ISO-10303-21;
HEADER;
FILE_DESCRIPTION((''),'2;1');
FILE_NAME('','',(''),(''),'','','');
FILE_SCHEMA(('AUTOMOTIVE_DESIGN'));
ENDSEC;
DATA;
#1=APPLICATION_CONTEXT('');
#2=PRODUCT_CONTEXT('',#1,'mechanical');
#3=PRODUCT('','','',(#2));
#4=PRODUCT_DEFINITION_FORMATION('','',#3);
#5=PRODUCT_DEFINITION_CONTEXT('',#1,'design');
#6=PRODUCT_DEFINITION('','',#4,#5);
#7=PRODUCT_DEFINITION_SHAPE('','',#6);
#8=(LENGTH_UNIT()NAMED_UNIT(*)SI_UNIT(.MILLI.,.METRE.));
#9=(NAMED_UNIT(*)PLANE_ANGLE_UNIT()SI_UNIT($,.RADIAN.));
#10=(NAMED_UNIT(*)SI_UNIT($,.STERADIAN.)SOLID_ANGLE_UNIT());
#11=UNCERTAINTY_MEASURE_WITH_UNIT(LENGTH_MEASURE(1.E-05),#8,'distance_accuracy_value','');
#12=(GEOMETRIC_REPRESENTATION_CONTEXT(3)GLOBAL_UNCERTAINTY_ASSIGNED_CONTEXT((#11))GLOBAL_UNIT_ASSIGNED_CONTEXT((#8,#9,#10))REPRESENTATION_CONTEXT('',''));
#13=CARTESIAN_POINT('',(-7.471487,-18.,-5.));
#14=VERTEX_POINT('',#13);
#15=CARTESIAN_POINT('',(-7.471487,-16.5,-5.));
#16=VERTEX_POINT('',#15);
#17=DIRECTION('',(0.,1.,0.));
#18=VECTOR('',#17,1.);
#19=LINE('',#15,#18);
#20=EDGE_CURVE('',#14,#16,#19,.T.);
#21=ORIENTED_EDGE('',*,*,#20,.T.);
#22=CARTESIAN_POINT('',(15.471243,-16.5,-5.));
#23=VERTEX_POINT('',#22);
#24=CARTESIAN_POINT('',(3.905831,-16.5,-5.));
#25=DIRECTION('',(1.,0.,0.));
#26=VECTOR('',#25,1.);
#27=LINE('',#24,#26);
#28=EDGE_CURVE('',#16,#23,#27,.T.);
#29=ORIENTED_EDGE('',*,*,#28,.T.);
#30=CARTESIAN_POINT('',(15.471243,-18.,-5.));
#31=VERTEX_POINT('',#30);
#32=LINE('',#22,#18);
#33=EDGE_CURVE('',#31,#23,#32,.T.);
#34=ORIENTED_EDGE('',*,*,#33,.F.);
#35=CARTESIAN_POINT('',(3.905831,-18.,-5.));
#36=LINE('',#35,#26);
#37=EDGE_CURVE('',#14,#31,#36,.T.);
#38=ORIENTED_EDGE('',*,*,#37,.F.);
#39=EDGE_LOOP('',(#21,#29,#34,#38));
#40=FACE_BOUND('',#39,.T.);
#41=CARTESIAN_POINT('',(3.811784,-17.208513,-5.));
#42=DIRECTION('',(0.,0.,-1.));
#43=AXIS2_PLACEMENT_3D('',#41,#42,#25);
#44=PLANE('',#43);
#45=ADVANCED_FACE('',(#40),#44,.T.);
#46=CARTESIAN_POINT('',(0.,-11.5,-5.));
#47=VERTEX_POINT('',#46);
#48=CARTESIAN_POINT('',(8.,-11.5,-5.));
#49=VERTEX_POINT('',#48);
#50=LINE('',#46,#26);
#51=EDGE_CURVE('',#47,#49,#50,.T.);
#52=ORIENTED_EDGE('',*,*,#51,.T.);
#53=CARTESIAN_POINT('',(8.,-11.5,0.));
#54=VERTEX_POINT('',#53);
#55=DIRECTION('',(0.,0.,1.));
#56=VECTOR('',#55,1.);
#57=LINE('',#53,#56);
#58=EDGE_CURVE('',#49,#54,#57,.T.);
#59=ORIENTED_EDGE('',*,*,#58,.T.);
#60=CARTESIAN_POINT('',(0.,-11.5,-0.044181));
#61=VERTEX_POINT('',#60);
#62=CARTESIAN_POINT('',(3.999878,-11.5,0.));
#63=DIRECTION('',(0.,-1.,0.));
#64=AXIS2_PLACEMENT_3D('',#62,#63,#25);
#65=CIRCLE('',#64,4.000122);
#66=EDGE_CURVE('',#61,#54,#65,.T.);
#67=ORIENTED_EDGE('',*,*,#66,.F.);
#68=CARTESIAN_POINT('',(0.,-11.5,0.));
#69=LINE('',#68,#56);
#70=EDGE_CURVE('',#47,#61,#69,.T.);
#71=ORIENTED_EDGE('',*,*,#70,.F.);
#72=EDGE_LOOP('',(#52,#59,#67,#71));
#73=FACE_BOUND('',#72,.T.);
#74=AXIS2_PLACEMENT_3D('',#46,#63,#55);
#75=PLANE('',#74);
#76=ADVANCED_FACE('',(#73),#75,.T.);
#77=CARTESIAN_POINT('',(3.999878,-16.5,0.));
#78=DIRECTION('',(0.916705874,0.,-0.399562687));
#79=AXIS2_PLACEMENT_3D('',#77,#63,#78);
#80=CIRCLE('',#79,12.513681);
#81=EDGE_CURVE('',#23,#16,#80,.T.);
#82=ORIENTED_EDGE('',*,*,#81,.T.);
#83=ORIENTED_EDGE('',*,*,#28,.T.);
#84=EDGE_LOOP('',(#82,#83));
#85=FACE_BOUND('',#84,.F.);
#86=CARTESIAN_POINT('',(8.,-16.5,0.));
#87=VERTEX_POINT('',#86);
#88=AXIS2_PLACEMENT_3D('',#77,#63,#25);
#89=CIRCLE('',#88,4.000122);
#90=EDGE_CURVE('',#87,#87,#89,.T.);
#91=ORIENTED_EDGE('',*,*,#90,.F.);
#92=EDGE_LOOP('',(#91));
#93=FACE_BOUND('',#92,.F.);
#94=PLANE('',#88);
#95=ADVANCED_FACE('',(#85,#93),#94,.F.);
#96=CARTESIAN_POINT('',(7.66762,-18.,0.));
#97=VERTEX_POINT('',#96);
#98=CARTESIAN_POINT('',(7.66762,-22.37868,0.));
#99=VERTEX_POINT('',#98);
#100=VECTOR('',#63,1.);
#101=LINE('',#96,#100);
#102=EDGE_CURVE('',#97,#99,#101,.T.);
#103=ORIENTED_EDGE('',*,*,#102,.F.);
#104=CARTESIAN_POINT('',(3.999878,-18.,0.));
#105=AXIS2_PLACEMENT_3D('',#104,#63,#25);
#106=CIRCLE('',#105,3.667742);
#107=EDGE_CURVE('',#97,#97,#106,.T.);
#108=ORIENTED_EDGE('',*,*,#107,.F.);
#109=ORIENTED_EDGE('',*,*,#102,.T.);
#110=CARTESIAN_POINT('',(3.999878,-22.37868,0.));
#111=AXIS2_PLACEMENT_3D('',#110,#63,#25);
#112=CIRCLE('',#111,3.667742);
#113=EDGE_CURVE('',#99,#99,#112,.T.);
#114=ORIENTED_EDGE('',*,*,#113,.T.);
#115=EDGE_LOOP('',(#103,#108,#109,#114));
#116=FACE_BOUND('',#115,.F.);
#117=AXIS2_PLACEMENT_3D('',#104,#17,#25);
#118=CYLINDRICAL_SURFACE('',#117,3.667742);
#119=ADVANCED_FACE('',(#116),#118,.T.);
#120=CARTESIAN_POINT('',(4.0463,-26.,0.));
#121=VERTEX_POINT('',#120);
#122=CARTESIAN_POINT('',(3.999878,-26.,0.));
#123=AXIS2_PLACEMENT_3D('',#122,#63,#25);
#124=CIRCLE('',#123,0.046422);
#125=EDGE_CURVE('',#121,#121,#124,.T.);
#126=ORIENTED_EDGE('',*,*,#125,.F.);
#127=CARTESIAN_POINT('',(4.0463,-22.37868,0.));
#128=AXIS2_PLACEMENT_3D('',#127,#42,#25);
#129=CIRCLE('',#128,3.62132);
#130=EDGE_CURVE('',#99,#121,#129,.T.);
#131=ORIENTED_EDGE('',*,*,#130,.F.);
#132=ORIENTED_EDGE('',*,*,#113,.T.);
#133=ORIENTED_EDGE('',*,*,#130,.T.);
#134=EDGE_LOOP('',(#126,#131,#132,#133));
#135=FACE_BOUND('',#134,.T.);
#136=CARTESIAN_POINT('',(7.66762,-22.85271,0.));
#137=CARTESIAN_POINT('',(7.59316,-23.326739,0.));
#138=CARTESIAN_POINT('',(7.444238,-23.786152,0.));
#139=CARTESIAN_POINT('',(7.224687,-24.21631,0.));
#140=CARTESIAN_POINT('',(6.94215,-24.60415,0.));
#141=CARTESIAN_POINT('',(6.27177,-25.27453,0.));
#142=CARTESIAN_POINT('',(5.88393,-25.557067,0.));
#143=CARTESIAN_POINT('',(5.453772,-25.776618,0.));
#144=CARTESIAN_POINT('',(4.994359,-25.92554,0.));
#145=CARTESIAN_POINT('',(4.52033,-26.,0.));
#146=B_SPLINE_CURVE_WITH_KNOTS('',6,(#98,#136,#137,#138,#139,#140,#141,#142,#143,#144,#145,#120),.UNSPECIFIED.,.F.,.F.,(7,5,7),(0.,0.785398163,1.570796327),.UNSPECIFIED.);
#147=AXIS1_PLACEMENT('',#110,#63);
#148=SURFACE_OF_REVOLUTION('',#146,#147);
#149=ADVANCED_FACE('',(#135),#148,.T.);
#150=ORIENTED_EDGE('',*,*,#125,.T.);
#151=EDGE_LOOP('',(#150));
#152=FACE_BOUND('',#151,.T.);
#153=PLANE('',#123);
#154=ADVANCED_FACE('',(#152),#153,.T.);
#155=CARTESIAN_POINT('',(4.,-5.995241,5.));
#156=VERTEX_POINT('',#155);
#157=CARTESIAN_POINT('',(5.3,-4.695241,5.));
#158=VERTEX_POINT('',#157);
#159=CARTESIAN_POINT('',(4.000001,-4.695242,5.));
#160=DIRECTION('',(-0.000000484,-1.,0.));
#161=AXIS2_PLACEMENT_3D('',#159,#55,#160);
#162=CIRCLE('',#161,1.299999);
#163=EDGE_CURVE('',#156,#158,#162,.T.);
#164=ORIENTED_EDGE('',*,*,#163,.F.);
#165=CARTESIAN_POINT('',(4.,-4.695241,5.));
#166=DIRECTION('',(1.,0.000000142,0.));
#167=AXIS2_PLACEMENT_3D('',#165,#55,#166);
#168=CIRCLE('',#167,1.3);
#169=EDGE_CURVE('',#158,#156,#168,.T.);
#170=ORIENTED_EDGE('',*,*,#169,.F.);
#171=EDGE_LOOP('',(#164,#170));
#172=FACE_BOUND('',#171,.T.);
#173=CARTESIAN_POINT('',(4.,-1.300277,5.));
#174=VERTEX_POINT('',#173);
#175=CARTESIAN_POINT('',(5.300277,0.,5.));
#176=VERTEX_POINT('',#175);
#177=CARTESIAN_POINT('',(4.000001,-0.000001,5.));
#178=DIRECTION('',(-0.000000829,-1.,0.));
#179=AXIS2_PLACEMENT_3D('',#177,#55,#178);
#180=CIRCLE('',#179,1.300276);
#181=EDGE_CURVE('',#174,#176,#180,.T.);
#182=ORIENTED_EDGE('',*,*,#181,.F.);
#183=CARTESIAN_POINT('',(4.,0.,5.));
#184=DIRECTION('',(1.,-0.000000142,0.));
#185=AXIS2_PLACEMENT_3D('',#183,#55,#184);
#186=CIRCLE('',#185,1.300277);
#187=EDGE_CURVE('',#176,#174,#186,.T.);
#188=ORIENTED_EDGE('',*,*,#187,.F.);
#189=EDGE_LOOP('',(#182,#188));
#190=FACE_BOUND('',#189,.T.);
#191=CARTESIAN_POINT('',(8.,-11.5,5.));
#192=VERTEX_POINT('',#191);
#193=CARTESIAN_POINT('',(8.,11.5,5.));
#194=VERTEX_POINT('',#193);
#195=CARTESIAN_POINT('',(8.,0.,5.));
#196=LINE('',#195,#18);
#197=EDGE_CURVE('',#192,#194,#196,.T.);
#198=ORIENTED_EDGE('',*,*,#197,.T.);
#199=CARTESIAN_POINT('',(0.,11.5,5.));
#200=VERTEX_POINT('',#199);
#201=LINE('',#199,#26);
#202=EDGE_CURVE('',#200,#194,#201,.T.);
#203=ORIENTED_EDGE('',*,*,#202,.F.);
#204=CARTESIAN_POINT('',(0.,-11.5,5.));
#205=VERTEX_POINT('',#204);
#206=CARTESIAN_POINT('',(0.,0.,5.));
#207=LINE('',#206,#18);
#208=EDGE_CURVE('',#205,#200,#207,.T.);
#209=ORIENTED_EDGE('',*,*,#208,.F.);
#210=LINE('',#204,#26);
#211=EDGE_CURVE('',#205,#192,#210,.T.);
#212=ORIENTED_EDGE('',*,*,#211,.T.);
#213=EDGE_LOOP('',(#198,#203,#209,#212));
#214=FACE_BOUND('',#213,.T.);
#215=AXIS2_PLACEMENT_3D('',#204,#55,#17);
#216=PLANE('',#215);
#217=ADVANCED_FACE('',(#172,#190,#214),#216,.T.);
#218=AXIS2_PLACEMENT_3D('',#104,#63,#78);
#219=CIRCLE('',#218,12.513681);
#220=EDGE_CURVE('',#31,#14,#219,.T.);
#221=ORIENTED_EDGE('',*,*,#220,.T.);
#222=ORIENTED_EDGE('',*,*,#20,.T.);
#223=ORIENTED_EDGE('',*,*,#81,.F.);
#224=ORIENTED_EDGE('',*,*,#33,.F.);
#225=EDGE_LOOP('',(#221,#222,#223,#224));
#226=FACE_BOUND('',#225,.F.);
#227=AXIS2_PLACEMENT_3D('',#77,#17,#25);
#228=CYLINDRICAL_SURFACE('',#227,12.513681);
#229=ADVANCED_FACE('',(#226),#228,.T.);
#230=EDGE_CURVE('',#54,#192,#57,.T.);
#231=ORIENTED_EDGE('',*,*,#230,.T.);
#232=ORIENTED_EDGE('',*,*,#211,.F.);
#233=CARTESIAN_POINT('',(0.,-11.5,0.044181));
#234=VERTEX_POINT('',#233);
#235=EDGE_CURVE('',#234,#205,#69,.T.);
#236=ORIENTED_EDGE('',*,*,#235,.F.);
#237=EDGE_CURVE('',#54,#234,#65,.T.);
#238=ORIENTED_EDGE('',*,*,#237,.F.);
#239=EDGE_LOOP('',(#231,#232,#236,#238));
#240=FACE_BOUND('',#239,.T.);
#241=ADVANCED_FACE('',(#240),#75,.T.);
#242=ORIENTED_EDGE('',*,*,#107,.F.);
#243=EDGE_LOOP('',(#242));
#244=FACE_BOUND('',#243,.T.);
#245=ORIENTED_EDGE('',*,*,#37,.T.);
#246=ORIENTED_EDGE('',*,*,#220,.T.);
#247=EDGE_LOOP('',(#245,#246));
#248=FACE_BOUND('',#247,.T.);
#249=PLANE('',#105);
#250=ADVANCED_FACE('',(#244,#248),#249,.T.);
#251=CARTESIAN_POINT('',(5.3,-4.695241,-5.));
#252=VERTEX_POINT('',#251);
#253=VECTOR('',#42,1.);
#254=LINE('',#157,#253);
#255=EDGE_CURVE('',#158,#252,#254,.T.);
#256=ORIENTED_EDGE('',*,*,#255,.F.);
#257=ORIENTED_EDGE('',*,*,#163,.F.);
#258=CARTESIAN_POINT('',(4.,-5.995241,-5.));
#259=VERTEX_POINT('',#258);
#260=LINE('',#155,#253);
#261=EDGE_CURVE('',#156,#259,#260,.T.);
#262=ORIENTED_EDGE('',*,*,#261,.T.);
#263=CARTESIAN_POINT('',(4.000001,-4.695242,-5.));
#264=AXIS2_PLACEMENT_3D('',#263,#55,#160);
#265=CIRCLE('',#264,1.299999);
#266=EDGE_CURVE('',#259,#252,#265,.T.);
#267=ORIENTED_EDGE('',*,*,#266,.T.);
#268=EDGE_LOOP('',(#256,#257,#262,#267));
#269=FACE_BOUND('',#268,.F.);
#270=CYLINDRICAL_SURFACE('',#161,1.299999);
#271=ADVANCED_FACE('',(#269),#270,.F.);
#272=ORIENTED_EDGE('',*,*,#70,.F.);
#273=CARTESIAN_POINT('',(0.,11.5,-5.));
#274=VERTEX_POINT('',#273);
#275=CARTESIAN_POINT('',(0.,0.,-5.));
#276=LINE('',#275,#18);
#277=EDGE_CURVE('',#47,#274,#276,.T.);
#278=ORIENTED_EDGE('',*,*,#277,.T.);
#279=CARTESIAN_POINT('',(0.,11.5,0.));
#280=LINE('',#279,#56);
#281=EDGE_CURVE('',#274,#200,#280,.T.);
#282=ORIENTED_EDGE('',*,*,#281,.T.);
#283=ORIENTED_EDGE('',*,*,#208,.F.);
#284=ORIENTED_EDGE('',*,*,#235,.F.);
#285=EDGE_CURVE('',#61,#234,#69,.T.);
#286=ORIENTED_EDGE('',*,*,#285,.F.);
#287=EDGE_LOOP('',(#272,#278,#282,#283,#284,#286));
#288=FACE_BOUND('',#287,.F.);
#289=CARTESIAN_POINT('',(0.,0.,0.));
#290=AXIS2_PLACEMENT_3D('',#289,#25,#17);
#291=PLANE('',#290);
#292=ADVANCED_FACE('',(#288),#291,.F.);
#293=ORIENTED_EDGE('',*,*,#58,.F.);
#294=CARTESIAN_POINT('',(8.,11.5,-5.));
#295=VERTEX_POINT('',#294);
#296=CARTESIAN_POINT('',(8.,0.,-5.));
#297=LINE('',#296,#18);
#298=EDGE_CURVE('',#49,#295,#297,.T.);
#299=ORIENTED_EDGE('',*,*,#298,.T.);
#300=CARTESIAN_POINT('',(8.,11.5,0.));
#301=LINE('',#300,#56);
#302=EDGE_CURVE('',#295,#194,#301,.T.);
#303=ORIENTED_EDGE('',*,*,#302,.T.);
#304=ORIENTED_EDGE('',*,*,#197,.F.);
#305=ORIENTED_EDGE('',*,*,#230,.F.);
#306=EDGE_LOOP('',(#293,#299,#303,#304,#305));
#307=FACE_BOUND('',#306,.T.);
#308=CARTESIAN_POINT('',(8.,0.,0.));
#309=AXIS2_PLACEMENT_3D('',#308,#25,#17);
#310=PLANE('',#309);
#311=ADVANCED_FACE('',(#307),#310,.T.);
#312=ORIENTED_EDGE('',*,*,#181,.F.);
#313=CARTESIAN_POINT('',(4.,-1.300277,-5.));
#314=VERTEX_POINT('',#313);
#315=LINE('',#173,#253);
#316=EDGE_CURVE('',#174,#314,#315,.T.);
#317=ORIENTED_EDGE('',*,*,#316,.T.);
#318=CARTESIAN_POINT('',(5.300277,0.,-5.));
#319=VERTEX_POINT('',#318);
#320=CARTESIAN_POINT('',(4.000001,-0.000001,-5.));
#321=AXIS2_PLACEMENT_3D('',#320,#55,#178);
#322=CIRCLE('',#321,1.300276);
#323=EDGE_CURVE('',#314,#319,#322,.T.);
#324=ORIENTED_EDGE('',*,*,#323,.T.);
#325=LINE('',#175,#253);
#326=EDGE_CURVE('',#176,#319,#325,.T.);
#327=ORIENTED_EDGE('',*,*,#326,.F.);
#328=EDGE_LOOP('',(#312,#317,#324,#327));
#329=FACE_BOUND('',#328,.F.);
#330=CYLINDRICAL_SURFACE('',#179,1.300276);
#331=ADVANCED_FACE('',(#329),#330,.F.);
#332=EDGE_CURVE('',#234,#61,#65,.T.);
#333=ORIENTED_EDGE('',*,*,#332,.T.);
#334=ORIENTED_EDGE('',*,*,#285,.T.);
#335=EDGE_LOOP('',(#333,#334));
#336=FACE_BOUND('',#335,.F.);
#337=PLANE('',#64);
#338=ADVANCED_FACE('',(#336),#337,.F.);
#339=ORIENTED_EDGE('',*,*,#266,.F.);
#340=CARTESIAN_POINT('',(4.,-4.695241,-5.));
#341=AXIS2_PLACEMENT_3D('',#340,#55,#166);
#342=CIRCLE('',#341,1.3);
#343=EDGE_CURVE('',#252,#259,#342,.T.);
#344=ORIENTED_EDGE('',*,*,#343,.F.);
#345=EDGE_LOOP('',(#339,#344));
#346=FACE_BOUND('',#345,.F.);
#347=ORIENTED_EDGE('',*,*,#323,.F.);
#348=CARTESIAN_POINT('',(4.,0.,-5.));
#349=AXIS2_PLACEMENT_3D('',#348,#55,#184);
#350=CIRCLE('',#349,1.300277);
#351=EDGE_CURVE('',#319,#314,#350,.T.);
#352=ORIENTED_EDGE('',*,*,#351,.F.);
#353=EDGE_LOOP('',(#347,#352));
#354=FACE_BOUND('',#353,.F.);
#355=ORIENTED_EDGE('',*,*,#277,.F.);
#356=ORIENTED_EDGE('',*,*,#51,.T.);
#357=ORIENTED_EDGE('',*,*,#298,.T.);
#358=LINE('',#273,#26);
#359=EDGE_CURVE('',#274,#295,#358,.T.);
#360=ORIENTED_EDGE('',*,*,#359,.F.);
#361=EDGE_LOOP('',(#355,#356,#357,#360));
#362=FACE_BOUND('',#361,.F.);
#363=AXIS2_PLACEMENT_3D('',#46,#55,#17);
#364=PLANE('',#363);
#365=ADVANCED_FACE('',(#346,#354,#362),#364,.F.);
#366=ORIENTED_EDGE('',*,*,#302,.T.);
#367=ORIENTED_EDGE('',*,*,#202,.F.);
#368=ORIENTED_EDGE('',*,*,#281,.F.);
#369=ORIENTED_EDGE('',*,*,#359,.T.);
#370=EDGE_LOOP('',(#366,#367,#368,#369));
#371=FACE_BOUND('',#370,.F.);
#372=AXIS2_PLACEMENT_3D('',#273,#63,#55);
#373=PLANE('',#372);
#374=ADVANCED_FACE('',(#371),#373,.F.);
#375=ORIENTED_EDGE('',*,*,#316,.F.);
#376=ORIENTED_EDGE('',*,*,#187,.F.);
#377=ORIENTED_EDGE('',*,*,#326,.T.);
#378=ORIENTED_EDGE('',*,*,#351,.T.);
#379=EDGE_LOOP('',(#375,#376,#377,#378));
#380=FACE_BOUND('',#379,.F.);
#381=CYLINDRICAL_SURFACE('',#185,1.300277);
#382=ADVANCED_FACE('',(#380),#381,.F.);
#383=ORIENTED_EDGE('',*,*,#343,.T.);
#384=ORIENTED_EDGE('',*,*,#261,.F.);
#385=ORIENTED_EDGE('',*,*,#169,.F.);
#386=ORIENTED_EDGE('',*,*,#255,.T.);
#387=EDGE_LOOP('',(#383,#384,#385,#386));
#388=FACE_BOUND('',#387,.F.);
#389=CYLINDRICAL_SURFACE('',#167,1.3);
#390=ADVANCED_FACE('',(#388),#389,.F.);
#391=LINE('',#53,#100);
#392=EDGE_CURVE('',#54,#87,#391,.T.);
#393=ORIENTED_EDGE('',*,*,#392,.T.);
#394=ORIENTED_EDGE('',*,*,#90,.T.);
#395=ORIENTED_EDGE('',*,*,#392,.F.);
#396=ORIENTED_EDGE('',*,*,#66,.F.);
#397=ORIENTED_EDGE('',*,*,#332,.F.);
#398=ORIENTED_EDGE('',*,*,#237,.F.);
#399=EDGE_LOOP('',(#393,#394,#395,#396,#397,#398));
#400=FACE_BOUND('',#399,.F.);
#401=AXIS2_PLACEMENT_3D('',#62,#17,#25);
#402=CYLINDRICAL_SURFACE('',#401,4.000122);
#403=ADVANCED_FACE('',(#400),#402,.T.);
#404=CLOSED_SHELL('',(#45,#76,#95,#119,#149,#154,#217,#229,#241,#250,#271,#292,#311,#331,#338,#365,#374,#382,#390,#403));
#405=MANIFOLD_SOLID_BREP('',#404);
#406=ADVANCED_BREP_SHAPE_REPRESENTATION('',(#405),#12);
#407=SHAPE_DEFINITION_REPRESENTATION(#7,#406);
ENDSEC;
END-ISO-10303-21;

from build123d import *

# Parameters (mm, degrees)
F0_W      = 23
F0_H      = 10
F1_DEPTH  = 8
F2_R      = 4.000122
F3_DEPTH  = 5
F4_R      = 12.513681
F5_DEPTH  = 1.5
F6_R      = 3.667742
F7_DEPTH  = 8
F8_R      = 3.62132
F10_DEPTH = 25
F13_DEPTH = 25
F14_W     = 28.555372
F14_H     = 6.345639
F15_DEPTH = 9.5


with BuildPart() as f1:
    # F0 (on Right) → F1 (new body)
    with BuildSketch(Plane.YZ):
        Rectangle(F0_W, F0_H)
    extrude(amount=F1_DEPTH)

    # F2 (on face) → F3 (join)
    with BuildSketch(Plane.XZ.offset(11.5)):
        with Locations((3.999878, 0)):
            Circle(F2_R)
    extrude(amount=F3_DEPTH)

    # F4 (on face) → F5 (join)
    with BuildSketch(Plane.XZ.offset(16.5)):
        with Locations((3.999878, 0)):
            Circle(F4_R)
    extrude(amount=F5_DEPTH)

    # F6 (on face) → F7 (join)
    with BuildSketch(Plane.XZ.offset(18)):
        with Locations((3.999878, 0)):
            Circle(F6_R)
    extrude(amount=F7_DEPTH)

    # F8
    f8_edges = [f1.edges().sort_by_distance(p)[0] for p in [
        (0.332136, -26, 0),
    ]]
    fillet(f8_edges, radius=F8_R)

    # F9 (on face) → F10 (cut)
    with BuildSketch(Plane.XY.offset(5)):
        with BuildLine():
            ThreePointArc((4, -1.300277), (4.919435, -0.919435), (5.300277, 0))
            ThreePointArc((5.300277, 0), (3.080565, 0.919435), (4, -1.300277))
        make_face()
    extrude(amount=-F10_DEPTH, mode=Mode.SUBTRACT)

    # F11 (on face) → F13 (cut)
    with BuildSketch(Plane.XY.offset(5)):
        with BuildLine():
            ThreePointArc((4, -5.995241), (4.919239, -5.61448), (5.3, -4.695241))
            ThreePointArc((5.3, -4.695241), (3.080761, -3.776003), (4, -5.995241))
        make_face()
    extrude(amount=-F13_DEPTH, mode=Mode.SUBTRACT)

    # F14 (on face) → F15 (cut)
    with BuildSketch(Plane(origin=(0, 0, -5), x_dir=(1, 0, 0), z_dir=(0, 0, -1))):
        with Locations((3.811784, 17.208513)):
            Rectangle(F14_W, F14_H)
    extrude(amount=F15_DEPTH, mode=Mode.SUBTRACT)


solid = f1.part
